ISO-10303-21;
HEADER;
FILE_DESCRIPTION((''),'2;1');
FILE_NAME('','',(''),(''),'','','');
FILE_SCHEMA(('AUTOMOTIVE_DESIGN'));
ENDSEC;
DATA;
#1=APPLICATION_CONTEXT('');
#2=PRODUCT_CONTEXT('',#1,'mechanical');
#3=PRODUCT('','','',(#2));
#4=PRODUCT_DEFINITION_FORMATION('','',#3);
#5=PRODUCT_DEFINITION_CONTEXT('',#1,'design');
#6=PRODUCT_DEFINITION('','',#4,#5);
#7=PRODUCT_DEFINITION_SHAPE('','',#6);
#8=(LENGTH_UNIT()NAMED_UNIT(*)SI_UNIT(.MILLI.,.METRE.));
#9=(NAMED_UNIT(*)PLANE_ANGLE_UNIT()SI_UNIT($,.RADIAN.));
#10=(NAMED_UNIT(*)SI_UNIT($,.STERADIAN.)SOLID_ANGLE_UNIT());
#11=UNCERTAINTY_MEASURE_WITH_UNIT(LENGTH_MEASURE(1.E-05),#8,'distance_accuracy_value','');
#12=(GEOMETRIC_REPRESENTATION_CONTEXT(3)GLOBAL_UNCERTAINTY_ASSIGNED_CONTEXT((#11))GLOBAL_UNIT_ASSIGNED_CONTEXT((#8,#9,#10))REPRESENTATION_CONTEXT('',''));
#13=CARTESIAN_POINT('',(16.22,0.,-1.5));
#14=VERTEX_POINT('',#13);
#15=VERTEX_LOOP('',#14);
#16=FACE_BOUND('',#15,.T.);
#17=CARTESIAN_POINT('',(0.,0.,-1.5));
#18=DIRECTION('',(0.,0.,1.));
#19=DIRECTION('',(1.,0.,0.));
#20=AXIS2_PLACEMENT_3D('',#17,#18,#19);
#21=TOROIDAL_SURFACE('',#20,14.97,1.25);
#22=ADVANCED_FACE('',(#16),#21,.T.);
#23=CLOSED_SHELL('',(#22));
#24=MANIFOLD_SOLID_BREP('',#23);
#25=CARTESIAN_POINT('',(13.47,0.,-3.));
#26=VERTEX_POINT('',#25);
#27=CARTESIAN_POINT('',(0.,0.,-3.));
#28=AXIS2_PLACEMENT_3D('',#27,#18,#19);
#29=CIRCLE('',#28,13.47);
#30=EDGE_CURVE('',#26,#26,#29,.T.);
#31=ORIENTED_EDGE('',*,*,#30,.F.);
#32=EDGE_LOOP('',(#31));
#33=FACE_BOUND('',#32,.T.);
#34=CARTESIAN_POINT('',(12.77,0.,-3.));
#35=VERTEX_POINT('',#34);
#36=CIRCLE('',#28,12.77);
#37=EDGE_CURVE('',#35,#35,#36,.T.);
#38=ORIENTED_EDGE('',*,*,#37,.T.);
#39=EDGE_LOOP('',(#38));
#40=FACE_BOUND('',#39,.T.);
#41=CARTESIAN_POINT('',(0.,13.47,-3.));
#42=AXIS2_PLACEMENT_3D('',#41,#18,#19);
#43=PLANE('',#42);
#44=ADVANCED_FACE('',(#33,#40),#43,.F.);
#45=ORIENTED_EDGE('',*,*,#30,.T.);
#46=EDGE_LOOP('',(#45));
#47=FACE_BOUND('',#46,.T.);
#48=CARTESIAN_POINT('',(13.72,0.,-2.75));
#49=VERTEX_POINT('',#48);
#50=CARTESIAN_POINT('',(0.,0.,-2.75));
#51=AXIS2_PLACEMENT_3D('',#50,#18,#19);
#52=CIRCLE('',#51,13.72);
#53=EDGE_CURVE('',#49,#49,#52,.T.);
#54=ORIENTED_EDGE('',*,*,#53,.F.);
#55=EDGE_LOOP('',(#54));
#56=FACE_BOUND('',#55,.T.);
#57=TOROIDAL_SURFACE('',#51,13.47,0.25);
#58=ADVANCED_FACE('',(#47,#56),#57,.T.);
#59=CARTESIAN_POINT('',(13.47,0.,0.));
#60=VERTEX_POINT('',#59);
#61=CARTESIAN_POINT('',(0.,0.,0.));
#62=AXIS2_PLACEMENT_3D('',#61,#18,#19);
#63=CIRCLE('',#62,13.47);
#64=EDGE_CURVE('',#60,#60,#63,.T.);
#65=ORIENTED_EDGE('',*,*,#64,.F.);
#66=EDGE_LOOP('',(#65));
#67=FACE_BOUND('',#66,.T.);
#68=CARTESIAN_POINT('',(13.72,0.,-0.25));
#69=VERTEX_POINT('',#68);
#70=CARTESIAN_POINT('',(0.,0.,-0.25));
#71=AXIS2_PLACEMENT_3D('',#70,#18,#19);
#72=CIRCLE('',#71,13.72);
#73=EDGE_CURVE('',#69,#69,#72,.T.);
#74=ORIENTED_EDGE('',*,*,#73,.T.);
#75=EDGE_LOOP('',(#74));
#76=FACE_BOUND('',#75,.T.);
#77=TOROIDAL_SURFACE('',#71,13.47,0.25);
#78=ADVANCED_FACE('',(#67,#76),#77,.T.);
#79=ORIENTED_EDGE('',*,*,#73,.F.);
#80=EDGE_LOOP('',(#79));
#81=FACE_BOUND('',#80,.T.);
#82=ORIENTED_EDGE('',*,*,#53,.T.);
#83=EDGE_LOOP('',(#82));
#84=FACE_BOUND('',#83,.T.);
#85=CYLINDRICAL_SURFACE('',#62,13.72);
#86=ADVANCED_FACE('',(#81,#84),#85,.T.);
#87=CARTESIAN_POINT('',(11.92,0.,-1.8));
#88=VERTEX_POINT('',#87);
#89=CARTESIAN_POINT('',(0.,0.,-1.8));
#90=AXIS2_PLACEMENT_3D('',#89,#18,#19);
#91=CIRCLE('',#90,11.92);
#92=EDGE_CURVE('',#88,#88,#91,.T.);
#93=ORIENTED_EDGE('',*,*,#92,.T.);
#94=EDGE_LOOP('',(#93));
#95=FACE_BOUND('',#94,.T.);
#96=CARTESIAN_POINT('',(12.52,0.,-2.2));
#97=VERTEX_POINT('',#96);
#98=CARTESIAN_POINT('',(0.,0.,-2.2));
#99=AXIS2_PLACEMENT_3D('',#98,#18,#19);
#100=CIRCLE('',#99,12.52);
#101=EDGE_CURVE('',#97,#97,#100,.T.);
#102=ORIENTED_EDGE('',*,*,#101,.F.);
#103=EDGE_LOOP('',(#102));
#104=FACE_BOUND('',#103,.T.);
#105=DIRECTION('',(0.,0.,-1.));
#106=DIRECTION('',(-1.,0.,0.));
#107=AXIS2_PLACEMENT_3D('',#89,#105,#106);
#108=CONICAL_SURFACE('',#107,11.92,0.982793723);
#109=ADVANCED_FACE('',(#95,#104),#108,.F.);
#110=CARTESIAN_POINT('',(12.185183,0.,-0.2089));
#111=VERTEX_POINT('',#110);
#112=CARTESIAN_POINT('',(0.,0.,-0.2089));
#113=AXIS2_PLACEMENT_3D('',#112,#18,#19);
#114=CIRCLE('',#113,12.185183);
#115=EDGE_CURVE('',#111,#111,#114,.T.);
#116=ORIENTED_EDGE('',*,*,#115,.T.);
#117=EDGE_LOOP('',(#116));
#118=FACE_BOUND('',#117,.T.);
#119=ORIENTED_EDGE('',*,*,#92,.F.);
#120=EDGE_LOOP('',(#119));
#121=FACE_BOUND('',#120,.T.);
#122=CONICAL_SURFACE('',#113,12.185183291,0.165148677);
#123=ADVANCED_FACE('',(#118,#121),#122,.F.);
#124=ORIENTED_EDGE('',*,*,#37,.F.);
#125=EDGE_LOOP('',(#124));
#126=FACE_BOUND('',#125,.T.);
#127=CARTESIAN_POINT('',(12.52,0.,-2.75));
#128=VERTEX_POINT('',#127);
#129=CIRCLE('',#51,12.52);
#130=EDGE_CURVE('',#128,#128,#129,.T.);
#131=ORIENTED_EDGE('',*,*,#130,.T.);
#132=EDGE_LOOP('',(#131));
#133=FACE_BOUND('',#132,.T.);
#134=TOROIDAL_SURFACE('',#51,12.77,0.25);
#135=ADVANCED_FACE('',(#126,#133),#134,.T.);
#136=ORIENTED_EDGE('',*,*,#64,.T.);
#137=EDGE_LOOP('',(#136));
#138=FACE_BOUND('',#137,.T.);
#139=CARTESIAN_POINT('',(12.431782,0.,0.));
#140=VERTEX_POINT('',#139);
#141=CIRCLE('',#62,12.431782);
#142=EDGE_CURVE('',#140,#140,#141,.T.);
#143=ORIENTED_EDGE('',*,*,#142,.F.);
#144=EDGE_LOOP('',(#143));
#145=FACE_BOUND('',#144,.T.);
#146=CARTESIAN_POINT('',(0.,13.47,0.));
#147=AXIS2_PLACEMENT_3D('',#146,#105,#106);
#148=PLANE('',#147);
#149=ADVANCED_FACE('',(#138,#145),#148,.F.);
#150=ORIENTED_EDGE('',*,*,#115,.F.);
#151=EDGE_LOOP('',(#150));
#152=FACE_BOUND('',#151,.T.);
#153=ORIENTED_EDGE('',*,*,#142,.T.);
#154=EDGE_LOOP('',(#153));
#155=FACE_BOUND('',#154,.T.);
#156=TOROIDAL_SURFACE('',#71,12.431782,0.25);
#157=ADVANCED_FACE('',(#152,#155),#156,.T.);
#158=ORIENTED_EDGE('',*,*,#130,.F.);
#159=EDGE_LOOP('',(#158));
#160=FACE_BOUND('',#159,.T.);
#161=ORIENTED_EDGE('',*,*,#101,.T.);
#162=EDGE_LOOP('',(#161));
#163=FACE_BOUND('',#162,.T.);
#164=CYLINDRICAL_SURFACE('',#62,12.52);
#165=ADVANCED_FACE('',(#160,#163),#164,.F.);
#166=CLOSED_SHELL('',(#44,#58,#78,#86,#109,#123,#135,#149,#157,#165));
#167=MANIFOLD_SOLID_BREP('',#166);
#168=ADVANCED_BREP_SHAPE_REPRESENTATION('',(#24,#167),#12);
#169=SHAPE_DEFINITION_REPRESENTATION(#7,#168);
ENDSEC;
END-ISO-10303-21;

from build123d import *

# Parameters (mm, degrees)
SKETCH2_R = 1.25


with BuildPart() as part:
    # Sketch1 → Revolve1 (revolve)
    with BuildSketch(Plane(origin=(0, 0, 0), x_dir=(0, 0, -1), z_dir=(1, 0, 0)), mode=Mode.PRIVATE) as revolve1_sk:
        with BuildLine():
            Line((0.25, 13.72), (2.75, 13.72))
            ThreePointArc((2.75, 13.72), (2.926776695, 13.646776695), (3, 13.47))
            Line((3, 13.47), (3, 12.77))
            ThreePointArc((3, 12.77), (2.926776695, 12.593223305), (2.75, 12.52))
            Line((2.75, 12.52), (2.2, 12.52))
            Line((2.2, 12.52), (1.8, 11.92))
            Line((1.8, 11.92), (0.208900253, 12.185183291))
            ThreePointArc((0.208900253, 12.185183291), (0.059245004, 12.270188048), (0, 12.431781772))
            Line((0, 12.431781772), (0, 13.47))
            ThreePointArc((0, 13.47), (0.073223305, 13.646776695), (0.25, 13.72))
        make_face()
    revolve(revolve1_sk.sketch.rotate(Axis((0, 0, 0), (0, 0, -1)), 90), axis=Axis((0, 0, 0), (0, 0, -1)))


with BuildPart() as body_2:
    # Sketch2 → Revolve2 (revolve)
    with BuildSketch(Plane(origin=(0, 0, 0), x_dir=(0, 0, -1), z_dir=(1, 0, 0)), mode=Mode.PRIVATE) as revolve2_sk:
        with Locations((1.5, 14.97)):
            Circle(SKETCH2_R)
    revolve(revolve2_sk.sketch.rotate(Axis((0, 0, 0), (0, 0, -1)), 270), axis=Axis((0, 0, 0), (0, 0, -1)))


solid = Compound([part.part, body_2.part])
